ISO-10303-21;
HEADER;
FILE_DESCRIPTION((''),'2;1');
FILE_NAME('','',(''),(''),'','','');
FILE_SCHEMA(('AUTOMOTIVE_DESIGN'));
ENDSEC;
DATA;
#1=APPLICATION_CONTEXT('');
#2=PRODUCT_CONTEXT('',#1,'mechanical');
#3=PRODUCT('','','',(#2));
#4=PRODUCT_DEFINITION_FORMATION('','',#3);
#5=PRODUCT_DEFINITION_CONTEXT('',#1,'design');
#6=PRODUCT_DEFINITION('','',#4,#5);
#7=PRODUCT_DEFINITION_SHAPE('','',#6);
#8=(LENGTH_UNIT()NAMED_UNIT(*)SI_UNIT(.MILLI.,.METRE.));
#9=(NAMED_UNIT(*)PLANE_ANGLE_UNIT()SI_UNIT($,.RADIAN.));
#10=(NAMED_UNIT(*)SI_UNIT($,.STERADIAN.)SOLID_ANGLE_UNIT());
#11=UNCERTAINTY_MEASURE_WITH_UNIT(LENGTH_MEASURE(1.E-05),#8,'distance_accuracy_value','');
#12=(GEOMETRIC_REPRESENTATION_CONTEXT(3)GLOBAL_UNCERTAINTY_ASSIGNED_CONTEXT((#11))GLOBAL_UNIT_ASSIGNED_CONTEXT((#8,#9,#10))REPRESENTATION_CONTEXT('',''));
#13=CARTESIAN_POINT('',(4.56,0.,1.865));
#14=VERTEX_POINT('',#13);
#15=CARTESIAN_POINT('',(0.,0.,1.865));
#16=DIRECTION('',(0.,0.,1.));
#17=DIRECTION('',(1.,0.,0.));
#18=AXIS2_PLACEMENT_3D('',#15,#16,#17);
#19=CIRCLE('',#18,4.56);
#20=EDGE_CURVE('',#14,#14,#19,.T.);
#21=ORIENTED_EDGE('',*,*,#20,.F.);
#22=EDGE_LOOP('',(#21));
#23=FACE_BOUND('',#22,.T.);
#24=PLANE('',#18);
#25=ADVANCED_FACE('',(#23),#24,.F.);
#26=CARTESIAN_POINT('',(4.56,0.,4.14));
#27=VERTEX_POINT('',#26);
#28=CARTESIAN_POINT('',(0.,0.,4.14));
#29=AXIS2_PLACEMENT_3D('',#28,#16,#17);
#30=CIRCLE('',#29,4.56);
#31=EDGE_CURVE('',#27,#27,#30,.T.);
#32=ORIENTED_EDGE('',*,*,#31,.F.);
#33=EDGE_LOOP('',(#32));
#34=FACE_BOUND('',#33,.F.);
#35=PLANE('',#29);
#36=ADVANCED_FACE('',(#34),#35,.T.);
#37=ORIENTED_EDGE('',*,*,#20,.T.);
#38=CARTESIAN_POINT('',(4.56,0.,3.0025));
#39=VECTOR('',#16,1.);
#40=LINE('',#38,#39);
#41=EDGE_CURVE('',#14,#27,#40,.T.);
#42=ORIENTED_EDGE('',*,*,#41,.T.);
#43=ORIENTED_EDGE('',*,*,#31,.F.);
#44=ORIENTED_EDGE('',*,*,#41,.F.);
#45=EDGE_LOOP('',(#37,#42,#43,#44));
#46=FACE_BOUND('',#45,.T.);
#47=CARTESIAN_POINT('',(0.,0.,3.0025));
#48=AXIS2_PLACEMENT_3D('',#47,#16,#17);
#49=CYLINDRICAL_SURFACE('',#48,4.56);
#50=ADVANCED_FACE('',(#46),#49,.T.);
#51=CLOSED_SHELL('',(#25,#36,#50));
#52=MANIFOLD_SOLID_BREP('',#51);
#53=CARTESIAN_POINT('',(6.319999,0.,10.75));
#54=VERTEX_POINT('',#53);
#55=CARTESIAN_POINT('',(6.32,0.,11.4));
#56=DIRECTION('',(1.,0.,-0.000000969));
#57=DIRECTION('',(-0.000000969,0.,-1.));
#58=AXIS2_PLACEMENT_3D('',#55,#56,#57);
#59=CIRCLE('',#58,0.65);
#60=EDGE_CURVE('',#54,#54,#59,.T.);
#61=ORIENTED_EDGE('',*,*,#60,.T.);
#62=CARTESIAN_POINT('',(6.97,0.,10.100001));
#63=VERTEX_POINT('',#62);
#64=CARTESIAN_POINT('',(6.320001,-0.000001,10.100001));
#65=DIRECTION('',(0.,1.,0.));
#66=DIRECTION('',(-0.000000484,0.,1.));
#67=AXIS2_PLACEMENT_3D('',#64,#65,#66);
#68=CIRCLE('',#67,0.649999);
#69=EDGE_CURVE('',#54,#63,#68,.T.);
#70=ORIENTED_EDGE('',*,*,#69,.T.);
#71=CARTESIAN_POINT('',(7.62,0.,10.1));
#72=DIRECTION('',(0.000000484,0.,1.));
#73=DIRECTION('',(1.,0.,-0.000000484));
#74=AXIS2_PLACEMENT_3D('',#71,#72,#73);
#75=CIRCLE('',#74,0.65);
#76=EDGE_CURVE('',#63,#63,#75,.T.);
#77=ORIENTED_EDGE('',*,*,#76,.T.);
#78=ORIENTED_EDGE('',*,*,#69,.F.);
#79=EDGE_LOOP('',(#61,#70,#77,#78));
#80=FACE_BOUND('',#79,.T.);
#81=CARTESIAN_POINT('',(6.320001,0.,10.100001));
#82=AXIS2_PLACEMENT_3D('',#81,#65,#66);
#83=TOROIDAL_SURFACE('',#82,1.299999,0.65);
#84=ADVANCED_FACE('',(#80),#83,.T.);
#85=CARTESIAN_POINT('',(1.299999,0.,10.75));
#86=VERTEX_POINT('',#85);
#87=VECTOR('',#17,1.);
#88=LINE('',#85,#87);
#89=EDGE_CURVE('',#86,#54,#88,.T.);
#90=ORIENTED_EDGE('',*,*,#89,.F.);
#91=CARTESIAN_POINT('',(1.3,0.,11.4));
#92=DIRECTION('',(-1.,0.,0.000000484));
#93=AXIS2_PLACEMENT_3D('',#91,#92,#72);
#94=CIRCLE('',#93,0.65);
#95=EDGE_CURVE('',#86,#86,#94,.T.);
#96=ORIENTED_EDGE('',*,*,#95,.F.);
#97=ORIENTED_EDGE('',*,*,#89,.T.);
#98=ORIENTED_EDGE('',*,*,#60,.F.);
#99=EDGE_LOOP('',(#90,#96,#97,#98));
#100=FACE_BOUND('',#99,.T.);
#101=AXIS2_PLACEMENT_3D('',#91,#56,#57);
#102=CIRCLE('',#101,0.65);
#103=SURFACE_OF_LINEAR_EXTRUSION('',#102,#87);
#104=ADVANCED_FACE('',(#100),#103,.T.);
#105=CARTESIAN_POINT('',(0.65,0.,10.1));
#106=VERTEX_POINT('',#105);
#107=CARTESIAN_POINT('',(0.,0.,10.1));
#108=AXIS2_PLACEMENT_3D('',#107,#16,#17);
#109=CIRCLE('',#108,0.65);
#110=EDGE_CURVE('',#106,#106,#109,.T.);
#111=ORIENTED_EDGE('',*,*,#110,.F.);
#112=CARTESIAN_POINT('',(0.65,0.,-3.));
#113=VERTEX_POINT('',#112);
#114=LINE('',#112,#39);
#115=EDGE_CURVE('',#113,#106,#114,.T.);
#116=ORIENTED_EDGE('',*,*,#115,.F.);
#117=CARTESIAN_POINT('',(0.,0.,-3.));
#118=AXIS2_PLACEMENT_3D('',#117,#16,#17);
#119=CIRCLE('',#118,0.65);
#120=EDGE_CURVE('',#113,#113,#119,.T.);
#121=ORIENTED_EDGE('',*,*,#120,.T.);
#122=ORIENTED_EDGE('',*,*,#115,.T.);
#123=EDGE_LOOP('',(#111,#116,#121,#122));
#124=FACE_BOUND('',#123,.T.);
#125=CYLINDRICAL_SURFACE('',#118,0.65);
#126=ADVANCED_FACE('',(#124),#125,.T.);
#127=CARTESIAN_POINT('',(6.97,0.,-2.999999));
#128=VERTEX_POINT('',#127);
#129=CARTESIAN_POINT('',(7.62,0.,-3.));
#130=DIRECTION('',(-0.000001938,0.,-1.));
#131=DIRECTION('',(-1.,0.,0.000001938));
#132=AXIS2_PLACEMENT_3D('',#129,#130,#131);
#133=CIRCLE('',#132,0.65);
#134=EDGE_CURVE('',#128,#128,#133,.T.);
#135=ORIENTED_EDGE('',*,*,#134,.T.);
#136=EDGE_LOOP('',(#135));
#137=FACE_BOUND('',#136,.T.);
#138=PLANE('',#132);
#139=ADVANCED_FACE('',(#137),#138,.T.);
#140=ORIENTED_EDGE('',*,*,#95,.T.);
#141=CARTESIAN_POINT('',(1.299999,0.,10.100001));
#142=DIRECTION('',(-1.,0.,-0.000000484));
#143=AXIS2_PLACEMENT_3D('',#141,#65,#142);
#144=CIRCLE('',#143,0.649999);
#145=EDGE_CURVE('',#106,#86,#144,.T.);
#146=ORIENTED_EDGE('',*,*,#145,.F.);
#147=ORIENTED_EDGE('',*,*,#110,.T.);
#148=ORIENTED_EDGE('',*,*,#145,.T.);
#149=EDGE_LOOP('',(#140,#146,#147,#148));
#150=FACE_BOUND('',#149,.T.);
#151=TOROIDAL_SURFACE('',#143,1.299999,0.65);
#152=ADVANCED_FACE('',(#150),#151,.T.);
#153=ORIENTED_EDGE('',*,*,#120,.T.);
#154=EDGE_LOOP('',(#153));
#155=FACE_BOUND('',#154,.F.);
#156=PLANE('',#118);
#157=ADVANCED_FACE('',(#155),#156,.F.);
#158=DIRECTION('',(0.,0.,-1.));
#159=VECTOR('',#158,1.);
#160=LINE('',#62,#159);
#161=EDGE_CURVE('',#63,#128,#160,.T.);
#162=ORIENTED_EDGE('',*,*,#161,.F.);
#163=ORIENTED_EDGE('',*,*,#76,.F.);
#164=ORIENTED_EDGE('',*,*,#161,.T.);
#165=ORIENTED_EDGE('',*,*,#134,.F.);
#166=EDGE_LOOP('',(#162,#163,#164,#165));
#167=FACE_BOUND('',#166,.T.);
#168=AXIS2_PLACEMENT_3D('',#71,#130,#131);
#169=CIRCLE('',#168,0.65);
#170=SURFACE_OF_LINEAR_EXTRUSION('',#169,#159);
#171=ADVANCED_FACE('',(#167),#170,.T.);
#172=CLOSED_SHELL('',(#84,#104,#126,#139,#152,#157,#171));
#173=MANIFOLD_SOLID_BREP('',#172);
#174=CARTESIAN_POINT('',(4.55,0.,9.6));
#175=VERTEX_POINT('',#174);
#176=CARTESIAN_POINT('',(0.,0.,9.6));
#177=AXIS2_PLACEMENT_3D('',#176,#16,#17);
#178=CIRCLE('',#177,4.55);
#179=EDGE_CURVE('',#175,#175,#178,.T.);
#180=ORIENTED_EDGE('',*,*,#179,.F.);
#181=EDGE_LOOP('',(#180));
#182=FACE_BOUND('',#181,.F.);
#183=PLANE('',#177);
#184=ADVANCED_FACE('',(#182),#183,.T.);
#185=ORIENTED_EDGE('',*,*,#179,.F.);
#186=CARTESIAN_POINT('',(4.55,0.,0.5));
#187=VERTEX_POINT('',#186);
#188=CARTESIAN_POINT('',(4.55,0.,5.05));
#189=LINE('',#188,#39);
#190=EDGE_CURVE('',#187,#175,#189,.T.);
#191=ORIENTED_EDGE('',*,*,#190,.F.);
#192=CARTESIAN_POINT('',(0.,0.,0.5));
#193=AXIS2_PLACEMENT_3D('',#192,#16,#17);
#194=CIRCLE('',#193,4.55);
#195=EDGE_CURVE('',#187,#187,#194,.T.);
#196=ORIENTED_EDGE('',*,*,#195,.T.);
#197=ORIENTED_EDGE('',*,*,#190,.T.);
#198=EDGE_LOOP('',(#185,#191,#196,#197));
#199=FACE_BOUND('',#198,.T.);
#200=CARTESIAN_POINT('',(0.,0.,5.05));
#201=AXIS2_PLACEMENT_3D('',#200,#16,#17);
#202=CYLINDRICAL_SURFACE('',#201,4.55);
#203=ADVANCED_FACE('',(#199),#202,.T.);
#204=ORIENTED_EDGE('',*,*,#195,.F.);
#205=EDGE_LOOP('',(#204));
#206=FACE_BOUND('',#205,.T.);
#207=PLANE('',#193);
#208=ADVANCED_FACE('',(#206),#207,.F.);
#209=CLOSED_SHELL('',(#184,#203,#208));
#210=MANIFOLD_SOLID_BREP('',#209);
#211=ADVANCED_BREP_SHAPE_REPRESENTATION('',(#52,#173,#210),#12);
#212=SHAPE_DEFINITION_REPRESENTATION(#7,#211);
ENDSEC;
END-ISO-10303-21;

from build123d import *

# Parameters (mm, degrees)
SKETCH001_R = 0.65
SKETCH002_W = 4.55
SKETCH002_H = 9.1
SKETCH003_W = 4.56
SKETCH003_H = 2.275


with BuildPart() as sweep_body:
    # Sweep: sweep along a path in Sketch
    with BuildLine(Plane.XZ) as sweep_path:
        Line((0, -3), (0, 10.1))
        ThreePointArc((0, 10.1), (0.380761, 11.019239), (1.3, 11.4))
        Line((1.3, 11.4), (6.32, 11.4))
        ThreePointArc((6.32, 11.4), (7.239239, 11.019239), (7.62, 10.1))
        Line((7.62, 10.1), (7.62, -3))
    # Sketch001 → Sweep (sweep)
    with BuildSketch(Plane.XY):
        Circle(SKETCH001_R)
    sweep(path=sweep_path.line)


with BuildPart() as revolution:
    # Sketch002 → Revolution (revolve)
    with BuildSketch(Plane.XZ):
        with Locations((2.275, 5.05)):
            Rectangle(SKETCH002_W, SKETCH002_H)
    revolve(axis=Axis((0, 0, 0.5), (0, 0, 1)))


with BuildPart() as revolution001:
    # Sketch003 → Revolution001 (revolve)
    with BuildSketch(Plane.XZ):
        with Locations((2.28, 3.0025)):
            Rectangle(SKETCH003_W, SKETCH003_H)
    revolve(axis=Axis((0, 0, 0), (0, 0, 1)))


solid = Compound([sweep_body.part, revolution.part, revolution001.part])
